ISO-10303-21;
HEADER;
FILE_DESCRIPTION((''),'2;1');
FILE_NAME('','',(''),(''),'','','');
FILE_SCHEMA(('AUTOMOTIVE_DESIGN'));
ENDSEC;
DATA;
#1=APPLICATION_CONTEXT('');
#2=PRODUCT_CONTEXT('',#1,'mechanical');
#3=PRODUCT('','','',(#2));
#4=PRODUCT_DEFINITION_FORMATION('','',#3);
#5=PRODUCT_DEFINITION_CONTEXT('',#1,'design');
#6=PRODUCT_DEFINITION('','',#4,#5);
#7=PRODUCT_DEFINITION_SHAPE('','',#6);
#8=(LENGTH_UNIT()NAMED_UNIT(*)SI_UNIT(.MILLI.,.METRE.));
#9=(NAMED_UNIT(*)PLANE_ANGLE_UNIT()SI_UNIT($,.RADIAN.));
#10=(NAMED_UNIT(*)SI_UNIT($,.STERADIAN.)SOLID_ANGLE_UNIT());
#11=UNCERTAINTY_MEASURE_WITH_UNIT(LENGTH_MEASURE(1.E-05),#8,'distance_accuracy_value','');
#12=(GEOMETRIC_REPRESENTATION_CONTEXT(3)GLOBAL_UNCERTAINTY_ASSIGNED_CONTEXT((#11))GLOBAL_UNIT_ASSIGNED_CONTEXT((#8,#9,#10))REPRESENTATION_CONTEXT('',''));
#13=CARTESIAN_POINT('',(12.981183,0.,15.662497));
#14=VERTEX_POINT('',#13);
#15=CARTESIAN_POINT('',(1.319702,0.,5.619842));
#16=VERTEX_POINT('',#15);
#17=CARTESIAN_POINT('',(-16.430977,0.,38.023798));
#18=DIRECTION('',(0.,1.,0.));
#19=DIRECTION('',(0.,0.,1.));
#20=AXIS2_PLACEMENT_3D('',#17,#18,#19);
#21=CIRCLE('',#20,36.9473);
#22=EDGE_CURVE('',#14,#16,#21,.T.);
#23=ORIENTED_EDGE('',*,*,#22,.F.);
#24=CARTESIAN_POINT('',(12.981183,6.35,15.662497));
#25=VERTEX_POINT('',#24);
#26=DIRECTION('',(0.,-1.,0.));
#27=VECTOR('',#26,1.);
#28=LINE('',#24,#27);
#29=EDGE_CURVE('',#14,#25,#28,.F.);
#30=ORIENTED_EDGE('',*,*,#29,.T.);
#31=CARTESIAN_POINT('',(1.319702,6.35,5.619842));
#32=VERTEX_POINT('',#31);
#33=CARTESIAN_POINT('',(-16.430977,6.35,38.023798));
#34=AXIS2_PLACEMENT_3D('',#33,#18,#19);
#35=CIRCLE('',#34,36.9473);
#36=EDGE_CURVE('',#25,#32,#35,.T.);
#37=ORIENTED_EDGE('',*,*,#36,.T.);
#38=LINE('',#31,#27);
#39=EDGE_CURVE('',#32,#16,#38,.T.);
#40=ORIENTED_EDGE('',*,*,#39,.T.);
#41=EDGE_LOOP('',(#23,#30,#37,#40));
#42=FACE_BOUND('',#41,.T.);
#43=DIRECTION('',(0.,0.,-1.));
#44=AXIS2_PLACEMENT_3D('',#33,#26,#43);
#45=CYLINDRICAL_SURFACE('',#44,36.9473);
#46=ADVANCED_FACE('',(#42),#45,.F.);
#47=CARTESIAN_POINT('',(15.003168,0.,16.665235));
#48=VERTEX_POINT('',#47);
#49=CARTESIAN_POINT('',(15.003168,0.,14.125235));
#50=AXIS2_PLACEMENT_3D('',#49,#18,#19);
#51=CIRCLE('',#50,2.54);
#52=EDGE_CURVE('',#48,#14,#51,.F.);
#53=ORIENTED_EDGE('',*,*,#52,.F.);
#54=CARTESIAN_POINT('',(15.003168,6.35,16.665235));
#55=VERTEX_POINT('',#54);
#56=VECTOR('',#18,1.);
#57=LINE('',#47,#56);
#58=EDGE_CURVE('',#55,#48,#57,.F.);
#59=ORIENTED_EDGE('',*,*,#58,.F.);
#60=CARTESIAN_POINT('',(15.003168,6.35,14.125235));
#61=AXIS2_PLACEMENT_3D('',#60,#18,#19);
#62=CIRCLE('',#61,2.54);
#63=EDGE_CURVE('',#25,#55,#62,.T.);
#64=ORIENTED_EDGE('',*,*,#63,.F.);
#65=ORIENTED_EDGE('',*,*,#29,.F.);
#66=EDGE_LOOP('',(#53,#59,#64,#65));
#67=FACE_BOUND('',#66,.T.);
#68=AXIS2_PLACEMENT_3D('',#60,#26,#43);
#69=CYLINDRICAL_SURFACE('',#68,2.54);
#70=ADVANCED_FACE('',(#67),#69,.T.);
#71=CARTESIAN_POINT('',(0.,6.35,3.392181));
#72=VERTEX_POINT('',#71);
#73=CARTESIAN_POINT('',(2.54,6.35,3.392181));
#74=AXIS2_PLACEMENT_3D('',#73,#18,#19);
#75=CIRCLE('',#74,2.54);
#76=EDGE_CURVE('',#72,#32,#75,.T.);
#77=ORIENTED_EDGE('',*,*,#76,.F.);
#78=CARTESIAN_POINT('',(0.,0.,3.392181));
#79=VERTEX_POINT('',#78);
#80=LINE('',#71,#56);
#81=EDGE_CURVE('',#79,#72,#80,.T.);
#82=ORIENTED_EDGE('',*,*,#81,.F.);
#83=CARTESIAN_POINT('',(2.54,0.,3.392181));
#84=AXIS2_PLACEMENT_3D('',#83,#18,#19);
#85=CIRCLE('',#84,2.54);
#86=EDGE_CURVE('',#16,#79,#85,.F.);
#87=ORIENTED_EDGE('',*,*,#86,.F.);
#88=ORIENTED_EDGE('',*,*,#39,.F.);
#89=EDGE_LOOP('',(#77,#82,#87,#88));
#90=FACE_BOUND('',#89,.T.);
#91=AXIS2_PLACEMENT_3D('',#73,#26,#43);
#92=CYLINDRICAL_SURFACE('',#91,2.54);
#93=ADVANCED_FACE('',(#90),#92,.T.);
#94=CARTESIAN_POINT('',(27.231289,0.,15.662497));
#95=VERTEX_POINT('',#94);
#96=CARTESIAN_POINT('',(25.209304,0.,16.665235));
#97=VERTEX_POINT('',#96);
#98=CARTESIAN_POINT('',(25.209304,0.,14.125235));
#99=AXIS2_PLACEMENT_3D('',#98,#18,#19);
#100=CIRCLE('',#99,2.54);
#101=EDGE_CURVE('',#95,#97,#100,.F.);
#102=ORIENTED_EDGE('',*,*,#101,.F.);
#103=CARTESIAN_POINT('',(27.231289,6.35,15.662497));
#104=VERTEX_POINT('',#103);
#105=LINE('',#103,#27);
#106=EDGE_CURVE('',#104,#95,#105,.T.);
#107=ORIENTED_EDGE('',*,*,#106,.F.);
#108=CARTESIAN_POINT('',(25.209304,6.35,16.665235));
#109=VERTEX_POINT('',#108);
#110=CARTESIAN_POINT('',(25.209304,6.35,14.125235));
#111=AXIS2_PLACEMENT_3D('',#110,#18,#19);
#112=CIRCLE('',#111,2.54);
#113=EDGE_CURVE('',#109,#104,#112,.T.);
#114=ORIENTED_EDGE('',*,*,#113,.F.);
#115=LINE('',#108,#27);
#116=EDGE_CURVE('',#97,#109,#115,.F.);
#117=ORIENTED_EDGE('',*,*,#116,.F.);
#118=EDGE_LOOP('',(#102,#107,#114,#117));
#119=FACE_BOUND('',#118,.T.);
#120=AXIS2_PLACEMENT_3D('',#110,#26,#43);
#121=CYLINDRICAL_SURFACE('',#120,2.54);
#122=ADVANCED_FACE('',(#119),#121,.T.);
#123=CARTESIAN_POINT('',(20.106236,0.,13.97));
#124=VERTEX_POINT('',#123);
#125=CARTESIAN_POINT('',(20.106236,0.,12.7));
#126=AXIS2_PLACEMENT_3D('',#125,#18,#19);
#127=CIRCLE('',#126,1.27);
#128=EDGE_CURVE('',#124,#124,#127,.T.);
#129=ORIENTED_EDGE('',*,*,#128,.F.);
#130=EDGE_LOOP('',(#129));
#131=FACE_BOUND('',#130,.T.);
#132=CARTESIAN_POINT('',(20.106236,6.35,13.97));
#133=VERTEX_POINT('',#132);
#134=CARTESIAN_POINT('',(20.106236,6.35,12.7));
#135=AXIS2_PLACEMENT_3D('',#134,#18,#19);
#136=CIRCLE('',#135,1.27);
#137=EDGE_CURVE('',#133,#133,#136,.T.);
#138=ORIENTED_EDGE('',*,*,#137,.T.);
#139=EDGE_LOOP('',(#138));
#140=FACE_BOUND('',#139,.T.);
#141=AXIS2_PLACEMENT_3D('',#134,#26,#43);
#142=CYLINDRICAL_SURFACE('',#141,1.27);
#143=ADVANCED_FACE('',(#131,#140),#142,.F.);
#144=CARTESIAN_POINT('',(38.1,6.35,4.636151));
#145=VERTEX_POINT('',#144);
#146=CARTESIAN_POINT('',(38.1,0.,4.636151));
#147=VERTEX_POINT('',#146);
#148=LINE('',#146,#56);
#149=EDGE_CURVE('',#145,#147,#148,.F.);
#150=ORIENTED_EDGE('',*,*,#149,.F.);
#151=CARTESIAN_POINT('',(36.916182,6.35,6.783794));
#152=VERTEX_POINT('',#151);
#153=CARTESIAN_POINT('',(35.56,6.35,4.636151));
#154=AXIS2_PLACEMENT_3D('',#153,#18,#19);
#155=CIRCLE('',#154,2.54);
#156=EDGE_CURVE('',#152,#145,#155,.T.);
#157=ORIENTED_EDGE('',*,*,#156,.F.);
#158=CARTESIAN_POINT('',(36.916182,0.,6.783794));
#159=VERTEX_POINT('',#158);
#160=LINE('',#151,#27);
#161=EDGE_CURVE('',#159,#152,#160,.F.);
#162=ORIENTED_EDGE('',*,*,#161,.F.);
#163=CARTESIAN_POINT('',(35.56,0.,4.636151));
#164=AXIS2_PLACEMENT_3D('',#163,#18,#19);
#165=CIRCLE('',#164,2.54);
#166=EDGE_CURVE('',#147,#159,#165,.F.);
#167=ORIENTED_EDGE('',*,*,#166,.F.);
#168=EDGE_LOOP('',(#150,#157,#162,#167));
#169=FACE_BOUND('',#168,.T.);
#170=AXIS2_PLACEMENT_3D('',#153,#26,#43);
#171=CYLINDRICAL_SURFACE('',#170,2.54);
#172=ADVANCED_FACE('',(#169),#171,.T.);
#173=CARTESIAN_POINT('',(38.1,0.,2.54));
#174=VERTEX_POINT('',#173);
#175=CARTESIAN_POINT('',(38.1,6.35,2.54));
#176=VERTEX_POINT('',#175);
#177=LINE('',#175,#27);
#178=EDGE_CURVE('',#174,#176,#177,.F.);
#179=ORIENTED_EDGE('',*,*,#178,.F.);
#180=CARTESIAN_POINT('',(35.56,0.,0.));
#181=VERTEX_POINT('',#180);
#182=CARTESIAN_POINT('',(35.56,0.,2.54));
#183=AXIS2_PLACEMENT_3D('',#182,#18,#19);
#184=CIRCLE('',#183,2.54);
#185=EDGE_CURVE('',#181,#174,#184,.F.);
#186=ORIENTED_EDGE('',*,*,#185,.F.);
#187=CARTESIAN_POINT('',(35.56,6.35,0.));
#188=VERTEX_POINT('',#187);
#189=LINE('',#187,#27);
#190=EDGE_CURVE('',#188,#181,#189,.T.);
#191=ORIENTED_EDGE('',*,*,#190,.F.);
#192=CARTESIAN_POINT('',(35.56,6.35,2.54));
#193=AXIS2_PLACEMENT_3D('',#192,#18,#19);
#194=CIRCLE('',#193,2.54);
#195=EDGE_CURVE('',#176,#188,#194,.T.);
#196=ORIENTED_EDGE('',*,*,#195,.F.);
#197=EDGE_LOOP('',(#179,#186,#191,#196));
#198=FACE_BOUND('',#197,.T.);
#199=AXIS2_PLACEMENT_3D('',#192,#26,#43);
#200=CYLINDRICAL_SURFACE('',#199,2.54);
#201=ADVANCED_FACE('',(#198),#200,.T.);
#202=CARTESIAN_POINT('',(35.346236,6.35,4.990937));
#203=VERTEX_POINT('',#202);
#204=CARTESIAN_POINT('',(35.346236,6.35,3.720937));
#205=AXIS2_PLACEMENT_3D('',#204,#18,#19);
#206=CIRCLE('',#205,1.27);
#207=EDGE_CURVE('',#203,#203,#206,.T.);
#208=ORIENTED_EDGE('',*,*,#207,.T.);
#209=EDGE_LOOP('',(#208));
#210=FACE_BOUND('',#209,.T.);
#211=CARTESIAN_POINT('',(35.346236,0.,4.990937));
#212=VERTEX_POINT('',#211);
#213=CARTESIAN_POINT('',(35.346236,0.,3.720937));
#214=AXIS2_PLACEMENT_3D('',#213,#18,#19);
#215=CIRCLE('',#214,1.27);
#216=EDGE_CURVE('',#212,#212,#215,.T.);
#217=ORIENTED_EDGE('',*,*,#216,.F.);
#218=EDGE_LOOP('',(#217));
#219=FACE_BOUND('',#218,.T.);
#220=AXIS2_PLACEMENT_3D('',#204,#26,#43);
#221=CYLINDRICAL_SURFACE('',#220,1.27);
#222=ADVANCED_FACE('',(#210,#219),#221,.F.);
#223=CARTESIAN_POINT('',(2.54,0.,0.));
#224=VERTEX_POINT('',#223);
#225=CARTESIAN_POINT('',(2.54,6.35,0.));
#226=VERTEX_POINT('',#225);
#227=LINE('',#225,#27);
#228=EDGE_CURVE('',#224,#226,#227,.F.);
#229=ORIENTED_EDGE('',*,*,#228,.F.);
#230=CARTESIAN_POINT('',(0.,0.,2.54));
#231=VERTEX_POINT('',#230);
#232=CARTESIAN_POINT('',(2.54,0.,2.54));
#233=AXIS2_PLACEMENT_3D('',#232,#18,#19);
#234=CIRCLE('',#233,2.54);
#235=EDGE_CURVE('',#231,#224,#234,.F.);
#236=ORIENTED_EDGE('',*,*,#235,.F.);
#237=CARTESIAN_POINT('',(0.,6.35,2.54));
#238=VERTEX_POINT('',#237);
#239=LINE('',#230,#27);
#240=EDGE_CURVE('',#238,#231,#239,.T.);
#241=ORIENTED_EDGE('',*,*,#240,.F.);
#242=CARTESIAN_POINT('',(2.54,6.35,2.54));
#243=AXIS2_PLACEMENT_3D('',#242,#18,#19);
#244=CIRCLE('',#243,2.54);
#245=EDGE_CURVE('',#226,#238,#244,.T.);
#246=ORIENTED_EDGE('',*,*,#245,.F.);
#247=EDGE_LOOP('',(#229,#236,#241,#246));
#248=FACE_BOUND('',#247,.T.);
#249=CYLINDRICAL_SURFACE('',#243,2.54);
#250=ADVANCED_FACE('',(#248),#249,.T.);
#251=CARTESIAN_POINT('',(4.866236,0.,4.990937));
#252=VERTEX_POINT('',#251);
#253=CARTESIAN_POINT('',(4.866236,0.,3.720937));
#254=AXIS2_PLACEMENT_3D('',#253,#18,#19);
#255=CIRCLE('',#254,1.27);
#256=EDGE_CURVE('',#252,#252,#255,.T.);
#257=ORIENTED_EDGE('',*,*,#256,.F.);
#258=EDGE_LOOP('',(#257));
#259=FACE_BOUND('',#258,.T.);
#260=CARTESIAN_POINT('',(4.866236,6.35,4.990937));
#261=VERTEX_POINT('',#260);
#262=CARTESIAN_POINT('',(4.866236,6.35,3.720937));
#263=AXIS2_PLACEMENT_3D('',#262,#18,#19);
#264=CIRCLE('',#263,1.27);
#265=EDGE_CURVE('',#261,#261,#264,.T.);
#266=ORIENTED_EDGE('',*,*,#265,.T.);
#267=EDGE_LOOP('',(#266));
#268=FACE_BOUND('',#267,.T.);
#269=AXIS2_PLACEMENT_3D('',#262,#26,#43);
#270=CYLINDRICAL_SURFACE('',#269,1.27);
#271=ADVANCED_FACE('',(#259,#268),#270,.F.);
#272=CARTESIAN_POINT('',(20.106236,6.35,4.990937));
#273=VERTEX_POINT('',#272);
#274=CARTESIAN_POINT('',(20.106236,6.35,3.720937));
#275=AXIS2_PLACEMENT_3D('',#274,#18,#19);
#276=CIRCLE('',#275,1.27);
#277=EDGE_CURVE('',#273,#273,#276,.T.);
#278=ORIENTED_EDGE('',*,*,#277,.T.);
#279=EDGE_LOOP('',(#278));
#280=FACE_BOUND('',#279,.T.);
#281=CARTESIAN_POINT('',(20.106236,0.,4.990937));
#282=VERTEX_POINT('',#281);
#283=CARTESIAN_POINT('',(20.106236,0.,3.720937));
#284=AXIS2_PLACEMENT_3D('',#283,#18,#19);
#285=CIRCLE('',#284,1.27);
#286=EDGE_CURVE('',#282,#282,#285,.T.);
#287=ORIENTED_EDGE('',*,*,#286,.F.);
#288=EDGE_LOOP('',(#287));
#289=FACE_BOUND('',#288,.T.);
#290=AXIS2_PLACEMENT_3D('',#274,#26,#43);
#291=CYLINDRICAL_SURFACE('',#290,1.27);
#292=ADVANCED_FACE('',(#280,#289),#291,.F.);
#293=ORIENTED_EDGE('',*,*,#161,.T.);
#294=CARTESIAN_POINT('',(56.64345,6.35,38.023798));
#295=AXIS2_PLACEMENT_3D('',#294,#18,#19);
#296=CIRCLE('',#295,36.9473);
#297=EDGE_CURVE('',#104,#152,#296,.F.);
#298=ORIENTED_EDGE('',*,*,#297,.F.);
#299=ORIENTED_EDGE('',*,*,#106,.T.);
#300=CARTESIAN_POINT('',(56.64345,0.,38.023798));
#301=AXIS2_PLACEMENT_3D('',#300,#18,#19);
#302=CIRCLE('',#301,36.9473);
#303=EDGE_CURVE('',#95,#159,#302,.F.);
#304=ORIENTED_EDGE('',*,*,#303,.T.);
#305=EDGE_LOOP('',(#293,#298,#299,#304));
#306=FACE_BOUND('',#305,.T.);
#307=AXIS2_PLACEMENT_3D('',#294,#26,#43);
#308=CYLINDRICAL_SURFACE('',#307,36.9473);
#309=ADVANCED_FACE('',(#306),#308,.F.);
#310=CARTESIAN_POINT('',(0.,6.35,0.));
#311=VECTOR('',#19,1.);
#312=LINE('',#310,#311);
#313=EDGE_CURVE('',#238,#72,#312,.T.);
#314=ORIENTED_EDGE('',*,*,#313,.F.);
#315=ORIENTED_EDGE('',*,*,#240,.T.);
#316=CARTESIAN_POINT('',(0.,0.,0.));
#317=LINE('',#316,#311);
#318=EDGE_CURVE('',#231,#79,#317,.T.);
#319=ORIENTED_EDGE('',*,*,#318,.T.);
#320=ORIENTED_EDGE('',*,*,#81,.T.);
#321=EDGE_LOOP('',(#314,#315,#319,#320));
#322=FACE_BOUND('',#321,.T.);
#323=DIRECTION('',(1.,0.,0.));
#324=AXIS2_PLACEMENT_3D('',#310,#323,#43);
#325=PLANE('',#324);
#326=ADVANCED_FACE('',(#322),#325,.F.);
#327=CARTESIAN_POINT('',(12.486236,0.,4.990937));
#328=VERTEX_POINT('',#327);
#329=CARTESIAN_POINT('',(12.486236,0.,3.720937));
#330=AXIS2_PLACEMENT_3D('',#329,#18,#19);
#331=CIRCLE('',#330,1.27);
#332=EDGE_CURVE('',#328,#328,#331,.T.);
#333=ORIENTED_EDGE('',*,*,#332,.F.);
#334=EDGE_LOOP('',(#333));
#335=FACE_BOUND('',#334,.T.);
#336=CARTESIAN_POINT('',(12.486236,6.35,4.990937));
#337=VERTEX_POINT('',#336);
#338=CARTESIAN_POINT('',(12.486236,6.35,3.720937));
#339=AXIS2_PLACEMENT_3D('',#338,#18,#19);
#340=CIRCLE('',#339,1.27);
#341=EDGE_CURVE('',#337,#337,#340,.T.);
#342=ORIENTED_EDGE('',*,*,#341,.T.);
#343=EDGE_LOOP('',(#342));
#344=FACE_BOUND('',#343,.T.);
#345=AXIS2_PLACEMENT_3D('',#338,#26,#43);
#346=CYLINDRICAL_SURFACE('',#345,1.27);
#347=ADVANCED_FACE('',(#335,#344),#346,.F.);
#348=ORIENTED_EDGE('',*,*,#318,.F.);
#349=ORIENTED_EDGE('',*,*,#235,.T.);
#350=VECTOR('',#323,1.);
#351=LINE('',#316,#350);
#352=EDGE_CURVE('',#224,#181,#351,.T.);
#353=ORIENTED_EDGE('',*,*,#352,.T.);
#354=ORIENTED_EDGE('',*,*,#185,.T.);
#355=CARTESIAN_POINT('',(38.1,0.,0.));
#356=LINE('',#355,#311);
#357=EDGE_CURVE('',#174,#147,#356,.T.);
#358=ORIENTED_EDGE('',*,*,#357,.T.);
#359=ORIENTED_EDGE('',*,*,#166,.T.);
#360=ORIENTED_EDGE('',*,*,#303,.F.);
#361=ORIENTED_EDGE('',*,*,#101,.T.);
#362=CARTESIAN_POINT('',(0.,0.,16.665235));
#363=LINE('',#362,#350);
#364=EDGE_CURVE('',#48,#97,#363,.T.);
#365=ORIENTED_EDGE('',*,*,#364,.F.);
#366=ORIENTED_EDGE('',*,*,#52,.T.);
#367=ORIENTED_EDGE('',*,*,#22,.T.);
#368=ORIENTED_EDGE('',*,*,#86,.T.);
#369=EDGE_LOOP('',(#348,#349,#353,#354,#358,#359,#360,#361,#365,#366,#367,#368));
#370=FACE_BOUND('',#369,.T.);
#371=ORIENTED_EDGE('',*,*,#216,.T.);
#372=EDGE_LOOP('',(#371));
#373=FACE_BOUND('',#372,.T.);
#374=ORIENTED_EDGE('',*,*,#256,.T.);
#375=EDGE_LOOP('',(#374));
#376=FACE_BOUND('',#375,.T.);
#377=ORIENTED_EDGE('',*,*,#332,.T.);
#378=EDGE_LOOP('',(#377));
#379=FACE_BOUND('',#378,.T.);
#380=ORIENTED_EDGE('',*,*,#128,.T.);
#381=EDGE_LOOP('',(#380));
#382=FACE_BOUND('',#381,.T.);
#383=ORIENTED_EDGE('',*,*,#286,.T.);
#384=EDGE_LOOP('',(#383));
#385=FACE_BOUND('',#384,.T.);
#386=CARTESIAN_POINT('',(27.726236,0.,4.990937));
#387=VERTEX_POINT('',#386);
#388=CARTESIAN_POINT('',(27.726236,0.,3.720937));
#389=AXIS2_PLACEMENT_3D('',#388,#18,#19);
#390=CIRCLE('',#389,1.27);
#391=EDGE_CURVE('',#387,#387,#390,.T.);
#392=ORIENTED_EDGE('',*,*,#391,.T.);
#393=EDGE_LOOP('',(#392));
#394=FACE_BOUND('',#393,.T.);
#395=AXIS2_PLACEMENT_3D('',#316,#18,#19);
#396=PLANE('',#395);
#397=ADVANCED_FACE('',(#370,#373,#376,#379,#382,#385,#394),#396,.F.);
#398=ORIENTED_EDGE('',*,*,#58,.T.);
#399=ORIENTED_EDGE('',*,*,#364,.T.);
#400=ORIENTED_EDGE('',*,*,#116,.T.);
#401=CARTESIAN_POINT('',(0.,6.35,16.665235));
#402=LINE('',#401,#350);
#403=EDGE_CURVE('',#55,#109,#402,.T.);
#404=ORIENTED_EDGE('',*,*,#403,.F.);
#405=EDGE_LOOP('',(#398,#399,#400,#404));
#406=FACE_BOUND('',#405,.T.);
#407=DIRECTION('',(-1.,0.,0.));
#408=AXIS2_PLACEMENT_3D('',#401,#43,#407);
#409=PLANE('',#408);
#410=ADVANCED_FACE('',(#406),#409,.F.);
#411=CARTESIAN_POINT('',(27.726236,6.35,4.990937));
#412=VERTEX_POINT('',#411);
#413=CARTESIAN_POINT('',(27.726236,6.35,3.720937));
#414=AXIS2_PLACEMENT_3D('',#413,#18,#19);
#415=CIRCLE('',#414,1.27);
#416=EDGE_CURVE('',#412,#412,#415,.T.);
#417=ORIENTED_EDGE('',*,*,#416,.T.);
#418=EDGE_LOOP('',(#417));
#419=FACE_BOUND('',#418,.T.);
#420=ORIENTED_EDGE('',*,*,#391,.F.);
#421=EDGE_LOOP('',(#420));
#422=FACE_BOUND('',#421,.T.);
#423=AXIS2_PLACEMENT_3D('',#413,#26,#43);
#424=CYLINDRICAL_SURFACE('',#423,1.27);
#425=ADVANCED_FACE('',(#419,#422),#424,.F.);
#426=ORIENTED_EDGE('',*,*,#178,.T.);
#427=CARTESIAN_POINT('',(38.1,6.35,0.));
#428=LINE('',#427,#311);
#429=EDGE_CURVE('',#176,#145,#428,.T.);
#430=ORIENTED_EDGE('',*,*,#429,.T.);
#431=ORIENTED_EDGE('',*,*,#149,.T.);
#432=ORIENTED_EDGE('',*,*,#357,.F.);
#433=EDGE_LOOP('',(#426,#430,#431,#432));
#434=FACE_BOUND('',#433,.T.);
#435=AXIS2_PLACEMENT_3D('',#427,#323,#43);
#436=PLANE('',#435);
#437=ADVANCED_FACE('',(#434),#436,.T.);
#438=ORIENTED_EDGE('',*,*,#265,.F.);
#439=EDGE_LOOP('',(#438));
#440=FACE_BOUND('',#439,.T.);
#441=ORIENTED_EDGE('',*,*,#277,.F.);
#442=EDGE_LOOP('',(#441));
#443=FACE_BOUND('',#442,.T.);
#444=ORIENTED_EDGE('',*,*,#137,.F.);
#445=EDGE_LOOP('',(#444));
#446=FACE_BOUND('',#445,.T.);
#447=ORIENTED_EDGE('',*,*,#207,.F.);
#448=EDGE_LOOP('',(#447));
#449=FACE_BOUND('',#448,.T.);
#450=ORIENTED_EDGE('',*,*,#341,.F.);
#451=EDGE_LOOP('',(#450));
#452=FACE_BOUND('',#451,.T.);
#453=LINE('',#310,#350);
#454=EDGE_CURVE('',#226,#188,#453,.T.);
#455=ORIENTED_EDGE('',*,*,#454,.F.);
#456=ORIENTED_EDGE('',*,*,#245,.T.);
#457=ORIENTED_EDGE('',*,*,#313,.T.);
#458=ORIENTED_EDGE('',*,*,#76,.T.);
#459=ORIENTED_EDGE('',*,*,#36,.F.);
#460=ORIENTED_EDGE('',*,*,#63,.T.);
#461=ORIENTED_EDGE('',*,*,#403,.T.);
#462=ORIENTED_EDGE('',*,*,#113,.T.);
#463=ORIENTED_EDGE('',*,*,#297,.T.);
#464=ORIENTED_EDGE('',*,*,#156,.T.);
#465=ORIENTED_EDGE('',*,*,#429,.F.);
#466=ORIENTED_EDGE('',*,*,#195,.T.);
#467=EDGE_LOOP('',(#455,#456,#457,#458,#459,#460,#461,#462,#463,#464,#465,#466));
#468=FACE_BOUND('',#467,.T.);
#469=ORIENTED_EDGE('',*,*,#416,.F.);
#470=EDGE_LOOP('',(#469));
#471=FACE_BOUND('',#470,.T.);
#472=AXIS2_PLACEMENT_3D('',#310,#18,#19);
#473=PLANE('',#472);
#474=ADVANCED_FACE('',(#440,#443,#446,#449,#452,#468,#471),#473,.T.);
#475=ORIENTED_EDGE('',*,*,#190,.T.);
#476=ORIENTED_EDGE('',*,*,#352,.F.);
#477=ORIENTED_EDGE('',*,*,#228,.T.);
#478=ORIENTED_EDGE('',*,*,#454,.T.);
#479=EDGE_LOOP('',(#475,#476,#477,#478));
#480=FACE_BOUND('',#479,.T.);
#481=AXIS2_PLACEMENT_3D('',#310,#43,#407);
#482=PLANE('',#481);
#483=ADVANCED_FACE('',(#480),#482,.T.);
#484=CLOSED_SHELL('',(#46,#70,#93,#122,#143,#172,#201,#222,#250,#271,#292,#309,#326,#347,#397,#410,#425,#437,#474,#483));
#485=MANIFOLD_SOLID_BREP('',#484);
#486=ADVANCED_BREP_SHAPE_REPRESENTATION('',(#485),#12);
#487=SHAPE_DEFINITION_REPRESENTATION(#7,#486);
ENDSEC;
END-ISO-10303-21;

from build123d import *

# Parameters (mm, degrees)
SKETCH1_R           = 1.27
BOSS_EXTRUDE1_DEPTH = 6.35
FILLET1_R           = 2.54


with BuildPart() as part:
    # Sketch1 → Boss-Extrude1 (new body)
    with BuildSketch(Plane(origin=(0, 0, 0), x_dir=(1, 0, 0), z_dir=(0, 1, 0))):
        with BuildLine():
            Line((0, 0), (0, -4.931110589))
            ThreePointArc((0, -4.931110589), (7.586259225, -9.94755683), (13.717235362, -16.665234517))
            Line((13.717235362, -16.665234517), (26.495237193, -16.665234517))
            ThreePointArc((26.495237193, -16.665234517), (31.727577758, -10.741894012), (38.1, -6.06689826))
            Line((38.1, -6.06689826), (38.1, 0))
            Line((38.1, 0), (0, 0))
        make_face()
        with Locations((20.106236278, -12.7)):
            Circle(SKETCH1_R, mode=Mode.SUBTRACT)
        with Locations((4.866236278, -3.72093702)):
            Circle(SKETCH1_R, mode=Mode.SUBTRACT)
        with Locations((12.486236278, -3.72093702)):
            Circle(SKETCH1_R, mode=Mode.SUBTRACT)
        with Locations((20.106236278, -3.72093702)):
            Circle(SKETCH1_R, mode=Mode.SUBTRACT)
        with Locations((27.726236278, -3.72093702)):
            Circle(SKETCH1_R, mode=Mode.SUBTRACT)
        with Locations((35.346236278, -3.72093702)):
            Circle(SKETCH1_R, mode=Mode.SUBTRACT)
    extrude(amount=BOSS_EXTRUDE1_DEPTH)

    # Fillet1
    fillet1_edges = [part.edges().sort_by_distance(p)[0] for p in [
        (13.717235362, 3.175, 16.665234517),
        (0, 3.175, 4.931110589),
        (0, 3.175, 0),
        (38.1, 3.175, 0),
        (38.1, 3.175, 6.06689826),
        (26.495237193, 3.175, 16.665234517),
    ]]
    fillet(fillet1_edges, radius=FILLET1_R)


solid = part.part
